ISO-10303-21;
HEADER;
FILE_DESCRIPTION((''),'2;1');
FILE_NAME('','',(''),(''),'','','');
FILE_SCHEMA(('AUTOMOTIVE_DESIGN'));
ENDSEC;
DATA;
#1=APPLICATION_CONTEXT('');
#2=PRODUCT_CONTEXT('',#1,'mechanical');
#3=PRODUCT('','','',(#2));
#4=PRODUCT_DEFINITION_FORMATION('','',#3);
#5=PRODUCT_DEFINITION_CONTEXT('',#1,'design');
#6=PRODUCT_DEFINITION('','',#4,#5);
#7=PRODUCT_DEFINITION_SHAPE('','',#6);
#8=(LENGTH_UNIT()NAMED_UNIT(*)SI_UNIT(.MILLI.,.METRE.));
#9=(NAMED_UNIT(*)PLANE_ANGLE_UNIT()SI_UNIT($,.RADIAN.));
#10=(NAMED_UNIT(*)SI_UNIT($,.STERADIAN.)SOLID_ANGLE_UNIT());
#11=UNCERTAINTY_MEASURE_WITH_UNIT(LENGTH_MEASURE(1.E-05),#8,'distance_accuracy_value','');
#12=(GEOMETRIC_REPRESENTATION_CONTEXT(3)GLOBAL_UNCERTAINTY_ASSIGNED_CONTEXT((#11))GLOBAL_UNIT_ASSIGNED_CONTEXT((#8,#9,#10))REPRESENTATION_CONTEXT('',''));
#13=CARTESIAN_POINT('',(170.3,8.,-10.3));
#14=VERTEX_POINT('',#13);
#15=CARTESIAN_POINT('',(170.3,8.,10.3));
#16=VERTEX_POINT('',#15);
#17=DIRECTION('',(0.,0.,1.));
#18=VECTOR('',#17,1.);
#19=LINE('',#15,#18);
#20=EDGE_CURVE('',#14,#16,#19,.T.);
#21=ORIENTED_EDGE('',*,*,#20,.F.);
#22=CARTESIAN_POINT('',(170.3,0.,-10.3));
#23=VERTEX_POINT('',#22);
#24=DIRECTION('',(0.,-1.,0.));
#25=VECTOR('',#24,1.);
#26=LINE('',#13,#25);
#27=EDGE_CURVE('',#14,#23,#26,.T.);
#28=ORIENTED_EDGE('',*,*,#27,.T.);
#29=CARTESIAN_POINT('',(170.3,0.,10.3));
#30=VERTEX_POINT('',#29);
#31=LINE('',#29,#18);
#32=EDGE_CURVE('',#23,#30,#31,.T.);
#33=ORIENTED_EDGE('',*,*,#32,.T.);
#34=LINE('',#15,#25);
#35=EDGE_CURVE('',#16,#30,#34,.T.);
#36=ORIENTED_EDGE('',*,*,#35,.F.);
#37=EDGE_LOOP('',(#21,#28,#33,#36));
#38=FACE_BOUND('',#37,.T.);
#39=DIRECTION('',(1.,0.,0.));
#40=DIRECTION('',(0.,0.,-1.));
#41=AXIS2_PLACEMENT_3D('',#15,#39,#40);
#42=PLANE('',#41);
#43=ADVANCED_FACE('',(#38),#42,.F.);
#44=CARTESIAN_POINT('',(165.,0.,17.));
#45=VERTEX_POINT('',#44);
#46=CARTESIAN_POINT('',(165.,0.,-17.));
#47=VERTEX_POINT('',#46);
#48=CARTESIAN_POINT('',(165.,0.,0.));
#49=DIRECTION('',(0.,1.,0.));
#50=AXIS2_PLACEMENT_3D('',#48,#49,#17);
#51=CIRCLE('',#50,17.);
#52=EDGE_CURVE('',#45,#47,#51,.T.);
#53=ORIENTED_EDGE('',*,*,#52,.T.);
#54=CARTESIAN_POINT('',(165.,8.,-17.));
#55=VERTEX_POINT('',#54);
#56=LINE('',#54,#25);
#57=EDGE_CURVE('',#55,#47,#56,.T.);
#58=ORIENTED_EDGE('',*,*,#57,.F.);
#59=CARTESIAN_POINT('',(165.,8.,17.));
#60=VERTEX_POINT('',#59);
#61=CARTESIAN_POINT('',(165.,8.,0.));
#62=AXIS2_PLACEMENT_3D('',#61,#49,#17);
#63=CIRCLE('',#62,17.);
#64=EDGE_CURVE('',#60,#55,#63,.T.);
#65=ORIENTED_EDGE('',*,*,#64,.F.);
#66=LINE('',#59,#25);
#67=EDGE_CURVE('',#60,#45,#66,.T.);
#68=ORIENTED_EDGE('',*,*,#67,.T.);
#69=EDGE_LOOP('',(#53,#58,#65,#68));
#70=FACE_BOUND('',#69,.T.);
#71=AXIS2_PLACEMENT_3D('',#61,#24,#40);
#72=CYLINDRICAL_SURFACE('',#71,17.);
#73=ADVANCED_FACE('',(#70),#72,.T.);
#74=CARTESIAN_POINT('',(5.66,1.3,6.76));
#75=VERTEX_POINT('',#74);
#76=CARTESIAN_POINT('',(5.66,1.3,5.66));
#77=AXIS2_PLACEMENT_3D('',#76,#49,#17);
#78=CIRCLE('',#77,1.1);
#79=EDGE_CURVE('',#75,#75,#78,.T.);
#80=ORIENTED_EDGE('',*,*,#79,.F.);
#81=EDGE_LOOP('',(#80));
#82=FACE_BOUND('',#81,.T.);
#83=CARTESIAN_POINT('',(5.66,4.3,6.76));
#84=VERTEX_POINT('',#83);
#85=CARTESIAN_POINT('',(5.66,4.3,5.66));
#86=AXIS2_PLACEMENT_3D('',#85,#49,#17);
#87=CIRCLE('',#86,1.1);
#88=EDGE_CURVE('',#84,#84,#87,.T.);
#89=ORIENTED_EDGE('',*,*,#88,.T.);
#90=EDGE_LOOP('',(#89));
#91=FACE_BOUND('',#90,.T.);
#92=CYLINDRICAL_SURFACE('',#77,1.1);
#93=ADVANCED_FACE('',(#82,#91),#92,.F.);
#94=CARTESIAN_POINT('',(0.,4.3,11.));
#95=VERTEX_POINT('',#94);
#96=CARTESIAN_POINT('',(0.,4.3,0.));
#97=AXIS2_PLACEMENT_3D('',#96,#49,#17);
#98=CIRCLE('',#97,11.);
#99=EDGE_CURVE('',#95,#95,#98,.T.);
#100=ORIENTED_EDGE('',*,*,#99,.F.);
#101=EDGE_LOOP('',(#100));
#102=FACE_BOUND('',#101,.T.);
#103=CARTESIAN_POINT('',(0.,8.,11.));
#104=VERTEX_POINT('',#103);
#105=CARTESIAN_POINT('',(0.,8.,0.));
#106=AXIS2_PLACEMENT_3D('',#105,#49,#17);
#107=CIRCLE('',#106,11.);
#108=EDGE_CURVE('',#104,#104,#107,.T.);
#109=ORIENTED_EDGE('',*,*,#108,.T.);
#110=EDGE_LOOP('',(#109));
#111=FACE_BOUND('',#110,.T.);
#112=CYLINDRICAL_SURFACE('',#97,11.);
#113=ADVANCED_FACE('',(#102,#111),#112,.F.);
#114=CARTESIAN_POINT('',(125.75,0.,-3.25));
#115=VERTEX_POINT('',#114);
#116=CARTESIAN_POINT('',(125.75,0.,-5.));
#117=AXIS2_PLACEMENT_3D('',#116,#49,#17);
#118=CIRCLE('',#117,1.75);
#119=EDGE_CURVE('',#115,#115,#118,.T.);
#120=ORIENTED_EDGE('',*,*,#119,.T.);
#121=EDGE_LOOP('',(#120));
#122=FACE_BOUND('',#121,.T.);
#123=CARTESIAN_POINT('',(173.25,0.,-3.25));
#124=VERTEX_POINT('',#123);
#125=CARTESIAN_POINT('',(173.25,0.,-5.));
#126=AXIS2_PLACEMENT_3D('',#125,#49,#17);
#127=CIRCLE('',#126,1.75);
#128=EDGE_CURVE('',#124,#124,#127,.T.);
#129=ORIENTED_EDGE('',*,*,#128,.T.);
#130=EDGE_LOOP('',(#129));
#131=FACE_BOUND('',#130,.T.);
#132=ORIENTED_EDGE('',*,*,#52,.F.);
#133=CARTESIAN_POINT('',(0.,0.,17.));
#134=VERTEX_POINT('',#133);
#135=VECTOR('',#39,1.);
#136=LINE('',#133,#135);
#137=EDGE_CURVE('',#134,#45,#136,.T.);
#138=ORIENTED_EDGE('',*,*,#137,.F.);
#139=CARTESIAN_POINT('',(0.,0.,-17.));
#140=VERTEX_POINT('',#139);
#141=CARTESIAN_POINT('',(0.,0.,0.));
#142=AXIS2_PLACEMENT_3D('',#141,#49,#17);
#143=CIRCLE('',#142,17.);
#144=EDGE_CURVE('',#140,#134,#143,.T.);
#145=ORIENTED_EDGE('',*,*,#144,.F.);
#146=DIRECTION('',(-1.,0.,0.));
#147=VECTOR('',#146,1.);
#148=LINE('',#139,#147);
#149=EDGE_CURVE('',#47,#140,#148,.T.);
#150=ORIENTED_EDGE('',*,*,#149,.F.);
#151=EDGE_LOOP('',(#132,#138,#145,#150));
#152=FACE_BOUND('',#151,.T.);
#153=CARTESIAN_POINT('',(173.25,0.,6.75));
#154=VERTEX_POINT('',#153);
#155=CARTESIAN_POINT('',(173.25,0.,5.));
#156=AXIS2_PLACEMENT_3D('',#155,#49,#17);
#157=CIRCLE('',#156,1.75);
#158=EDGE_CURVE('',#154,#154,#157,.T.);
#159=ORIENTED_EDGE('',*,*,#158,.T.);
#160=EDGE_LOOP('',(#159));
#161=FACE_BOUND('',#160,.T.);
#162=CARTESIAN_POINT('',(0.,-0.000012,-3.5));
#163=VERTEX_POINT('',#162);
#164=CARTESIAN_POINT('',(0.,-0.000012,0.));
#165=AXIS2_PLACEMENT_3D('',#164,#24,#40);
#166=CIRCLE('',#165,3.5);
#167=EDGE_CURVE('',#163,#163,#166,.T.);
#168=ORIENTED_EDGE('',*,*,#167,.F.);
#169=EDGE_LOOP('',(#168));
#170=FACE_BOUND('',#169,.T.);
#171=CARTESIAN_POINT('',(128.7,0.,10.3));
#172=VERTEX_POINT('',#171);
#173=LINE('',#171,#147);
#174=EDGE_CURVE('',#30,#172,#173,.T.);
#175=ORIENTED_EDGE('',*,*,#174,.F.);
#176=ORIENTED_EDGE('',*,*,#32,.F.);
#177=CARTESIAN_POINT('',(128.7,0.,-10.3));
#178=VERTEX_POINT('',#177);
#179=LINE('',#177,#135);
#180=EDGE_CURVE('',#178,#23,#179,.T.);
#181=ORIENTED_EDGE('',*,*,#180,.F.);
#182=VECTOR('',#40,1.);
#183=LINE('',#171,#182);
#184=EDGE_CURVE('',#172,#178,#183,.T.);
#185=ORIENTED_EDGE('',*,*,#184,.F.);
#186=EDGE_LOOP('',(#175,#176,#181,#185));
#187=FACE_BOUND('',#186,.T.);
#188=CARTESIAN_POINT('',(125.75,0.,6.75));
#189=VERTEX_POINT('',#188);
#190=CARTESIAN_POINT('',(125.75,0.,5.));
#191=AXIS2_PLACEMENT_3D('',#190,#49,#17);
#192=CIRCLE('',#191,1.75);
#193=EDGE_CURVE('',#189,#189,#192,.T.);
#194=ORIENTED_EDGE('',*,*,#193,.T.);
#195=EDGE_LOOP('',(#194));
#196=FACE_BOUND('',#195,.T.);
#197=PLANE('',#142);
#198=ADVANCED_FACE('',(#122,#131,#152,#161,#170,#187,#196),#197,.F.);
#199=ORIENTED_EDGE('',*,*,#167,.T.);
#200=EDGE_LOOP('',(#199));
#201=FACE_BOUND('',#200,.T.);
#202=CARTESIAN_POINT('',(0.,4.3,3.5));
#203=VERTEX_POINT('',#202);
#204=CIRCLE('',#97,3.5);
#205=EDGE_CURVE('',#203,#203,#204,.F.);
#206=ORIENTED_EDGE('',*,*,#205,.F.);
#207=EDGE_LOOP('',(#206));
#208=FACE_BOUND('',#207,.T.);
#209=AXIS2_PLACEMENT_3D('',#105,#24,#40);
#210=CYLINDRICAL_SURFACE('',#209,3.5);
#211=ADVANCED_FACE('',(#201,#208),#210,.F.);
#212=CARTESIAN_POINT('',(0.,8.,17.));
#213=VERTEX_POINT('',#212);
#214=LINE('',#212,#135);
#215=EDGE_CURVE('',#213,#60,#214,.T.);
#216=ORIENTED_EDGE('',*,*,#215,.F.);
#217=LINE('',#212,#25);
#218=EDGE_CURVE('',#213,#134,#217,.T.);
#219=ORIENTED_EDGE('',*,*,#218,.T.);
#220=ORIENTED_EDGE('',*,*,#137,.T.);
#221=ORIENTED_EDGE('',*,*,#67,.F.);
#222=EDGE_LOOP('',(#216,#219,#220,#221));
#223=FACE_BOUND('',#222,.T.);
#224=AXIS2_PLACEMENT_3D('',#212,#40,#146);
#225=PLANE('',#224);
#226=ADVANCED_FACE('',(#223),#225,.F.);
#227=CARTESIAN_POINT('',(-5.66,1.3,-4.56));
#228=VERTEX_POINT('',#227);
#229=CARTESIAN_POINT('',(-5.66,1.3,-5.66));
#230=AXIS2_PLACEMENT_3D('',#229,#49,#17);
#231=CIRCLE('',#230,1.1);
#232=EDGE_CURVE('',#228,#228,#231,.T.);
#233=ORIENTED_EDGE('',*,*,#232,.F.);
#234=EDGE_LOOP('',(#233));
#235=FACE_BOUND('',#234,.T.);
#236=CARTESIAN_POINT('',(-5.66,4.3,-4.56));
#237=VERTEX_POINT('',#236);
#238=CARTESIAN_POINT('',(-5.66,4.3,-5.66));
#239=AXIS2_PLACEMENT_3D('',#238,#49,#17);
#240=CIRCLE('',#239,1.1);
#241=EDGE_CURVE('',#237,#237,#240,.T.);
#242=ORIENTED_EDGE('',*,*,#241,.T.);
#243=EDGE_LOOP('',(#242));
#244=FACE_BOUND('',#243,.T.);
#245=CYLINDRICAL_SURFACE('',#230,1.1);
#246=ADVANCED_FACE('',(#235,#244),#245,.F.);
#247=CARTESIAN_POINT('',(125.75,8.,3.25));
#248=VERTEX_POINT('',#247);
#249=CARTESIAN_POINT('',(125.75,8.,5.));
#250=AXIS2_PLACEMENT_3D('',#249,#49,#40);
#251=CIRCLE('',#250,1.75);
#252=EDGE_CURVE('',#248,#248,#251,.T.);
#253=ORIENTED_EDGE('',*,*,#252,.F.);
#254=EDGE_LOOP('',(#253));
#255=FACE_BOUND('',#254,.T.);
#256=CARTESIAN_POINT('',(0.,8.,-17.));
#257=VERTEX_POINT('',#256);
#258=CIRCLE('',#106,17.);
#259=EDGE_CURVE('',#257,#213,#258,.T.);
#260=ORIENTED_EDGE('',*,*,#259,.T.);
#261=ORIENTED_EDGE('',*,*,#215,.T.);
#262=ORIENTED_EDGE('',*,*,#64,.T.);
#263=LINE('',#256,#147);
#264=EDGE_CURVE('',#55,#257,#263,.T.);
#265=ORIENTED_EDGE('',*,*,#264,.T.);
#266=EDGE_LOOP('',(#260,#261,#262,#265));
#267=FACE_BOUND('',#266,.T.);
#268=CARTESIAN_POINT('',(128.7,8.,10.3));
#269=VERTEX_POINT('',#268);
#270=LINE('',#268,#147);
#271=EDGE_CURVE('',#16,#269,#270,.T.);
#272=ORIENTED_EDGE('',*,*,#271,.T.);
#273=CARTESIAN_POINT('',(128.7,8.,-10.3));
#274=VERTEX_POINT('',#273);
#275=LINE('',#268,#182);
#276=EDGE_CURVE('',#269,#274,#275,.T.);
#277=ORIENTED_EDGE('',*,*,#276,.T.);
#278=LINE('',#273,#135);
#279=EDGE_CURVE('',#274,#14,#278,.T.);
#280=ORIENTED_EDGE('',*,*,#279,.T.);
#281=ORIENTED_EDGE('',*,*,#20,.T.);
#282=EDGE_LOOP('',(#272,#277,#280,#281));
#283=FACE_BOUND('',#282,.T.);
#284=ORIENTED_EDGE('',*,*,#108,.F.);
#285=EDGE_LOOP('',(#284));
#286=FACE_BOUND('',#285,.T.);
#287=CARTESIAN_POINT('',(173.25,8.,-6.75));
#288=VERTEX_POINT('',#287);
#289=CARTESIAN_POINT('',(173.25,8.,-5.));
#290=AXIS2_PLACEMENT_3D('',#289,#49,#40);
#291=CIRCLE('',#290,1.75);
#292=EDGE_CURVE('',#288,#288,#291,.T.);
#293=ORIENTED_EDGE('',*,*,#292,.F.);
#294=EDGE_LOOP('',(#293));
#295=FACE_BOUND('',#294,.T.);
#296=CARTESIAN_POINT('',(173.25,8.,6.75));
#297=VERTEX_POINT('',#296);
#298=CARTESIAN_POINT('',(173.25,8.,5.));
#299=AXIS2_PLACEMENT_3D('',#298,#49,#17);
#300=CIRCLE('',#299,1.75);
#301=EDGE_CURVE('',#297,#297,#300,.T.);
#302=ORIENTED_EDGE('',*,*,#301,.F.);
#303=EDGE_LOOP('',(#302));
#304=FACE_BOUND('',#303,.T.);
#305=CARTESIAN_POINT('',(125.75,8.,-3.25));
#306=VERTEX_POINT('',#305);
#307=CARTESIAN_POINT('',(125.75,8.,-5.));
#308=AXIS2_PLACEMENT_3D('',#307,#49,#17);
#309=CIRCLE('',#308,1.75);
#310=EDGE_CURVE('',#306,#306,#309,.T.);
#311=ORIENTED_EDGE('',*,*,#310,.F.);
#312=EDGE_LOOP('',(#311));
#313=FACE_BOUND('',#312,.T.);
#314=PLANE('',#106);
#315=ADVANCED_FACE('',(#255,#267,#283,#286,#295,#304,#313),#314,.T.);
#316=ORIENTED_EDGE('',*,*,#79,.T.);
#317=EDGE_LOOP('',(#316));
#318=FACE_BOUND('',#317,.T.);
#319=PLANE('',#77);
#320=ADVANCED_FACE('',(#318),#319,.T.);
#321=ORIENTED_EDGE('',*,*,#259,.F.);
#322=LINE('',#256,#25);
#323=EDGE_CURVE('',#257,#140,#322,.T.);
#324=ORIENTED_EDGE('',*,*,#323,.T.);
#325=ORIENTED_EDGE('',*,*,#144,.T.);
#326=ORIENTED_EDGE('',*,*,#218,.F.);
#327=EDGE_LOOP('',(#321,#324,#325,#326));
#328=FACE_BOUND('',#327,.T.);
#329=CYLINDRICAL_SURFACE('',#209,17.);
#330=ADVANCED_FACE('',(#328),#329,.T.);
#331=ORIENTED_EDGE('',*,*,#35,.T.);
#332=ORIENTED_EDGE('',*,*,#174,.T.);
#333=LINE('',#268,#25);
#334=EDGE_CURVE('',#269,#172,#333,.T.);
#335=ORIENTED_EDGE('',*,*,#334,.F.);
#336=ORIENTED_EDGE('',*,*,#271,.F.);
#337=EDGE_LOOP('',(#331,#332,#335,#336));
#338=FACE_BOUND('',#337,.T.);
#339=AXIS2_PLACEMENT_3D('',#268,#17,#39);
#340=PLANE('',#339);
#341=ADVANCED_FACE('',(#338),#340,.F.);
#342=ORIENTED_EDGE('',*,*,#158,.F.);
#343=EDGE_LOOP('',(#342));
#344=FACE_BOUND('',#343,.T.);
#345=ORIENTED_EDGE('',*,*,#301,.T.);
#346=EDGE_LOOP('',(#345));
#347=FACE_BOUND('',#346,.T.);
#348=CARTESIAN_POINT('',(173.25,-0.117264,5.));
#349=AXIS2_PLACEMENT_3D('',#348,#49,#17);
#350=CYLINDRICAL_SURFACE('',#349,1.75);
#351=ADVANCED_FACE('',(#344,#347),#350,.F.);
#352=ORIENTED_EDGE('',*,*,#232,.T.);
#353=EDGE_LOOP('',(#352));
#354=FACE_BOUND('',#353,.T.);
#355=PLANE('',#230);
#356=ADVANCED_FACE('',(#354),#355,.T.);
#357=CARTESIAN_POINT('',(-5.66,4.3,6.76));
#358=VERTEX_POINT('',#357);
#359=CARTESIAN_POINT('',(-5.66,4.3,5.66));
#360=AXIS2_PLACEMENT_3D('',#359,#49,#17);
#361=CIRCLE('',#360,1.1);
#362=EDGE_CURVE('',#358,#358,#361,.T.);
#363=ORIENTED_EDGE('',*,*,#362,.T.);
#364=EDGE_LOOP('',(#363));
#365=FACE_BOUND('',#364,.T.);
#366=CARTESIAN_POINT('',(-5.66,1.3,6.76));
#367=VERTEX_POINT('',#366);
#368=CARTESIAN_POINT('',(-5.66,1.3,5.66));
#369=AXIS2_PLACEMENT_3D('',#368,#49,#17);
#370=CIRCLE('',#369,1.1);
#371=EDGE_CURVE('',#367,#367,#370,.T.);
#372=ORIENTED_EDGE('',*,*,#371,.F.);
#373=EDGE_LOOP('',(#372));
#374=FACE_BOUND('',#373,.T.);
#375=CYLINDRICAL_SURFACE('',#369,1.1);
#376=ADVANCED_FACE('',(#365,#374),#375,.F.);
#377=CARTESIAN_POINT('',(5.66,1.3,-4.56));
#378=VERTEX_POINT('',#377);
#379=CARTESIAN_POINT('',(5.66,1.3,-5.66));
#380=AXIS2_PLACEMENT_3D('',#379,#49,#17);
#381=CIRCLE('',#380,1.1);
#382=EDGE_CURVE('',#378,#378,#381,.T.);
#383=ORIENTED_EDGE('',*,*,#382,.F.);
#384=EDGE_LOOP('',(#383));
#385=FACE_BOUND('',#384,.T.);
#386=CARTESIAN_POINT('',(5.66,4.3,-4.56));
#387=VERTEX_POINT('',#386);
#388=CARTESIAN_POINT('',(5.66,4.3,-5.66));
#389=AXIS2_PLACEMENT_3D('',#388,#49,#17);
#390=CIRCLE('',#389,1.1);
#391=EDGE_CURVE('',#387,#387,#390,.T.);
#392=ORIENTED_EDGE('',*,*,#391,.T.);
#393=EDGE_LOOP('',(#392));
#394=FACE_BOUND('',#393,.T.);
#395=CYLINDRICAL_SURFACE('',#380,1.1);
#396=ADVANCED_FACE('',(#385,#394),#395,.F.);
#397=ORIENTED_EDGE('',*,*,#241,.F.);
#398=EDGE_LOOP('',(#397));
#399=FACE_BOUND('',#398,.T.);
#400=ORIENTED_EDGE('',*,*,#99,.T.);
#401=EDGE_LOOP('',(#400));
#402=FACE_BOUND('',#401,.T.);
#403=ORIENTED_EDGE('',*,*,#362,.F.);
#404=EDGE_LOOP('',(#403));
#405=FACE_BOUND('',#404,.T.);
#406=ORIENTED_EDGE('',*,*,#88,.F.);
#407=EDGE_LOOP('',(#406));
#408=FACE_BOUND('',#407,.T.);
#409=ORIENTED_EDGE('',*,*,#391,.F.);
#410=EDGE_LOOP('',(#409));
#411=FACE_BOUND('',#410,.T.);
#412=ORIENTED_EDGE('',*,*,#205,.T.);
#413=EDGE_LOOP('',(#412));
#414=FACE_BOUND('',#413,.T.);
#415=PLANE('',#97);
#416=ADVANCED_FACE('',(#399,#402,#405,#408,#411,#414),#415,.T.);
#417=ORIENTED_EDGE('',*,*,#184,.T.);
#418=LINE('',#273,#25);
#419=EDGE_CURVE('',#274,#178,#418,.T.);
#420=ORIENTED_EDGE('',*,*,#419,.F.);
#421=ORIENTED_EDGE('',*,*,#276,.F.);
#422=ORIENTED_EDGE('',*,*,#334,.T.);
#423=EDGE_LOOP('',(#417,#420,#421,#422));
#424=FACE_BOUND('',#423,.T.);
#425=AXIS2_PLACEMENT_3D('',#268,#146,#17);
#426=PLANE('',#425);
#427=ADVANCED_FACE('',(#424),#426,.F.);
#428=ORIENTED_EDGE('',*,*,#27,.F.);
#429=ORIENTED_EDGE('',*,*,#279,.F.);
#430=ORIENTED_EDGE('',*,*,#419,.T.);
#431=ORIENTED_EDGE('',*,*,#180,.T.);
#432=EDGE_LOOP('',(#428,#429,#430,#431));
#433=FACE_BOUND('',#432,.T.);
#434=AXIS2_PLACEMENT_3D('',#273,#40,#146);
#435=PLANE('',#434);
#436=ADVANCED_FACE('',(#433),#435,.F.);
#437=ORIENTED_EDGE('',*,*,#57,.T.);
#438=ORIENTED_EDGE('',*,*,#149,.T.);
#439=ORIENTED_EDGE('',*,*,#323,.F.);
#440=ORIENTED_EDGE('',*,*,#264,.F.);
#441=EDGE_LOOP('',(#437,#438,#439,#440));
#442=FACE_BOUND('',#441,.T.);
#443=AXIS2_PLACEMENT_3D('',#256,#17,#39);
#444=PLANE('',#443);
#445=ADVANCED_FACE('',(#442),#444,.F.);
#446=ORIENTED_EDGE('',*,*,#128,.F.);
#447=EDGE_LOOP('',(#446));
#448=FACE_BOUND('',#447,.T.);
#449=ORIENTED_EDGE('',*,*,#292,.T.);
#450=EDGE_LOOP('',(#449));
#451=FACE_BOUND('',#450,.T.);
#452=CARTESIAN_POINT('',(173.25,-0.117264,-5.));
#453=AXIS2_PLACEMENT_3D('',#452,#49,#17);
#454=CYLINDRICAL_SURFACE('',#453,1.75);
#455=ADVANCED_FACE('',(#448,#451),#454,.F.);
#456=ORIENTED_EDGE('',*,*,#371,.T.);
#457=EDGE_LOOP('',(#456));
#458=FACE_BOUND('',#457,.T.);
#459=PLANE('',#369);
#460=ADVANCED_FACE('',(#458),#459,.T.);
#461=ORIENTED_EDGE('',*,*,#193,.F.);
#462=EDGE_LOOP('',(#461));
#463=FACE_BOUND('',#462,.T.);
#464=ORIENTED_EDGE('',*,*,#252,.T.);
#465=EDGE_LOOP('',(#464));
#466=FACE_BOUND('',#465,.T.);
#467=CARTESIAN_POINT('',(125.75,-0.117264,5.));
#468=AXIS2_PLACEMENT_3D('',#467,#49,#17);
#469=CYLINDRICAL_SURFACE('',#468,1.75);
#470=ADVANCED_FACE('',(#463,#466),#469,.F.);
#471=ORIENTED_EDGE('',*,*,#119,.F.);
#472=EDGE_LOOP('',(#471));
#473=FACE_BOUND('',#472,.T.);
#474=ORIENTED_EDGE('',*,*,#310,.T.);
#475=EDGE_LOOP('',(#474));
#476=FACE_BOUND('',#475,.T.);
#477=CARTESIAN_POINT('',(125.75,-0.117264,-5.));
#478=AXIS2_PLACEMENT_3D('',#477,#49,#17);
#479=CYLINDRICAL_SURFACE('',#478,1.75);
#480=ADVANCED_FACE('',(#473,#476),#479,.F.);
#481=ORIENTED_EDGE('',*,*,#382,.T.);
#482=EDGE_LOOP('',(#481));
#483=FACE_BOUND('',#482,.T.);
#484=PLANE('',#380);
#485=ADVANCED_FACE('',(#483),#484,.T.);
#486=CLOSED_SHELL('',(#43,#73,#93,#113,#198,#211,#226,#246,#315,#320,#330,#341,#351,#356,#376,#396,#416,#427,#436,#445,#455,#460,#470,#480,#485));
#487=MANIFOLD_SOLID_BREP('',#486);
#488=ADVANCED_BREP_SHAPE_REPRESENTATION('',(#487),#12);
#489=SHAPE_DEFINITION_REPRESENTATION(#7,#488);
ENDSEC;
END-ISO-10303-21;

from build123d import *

# Parameters (mm, degrees)
ESTRUSIONE_ESTRUSIONE1_DEPTH  = 8
TAGLIO_ESTRUSIONE1_DEPTH      = 183.967210177
TAGLIO_ESTRUSIONE1_DEPTH_BACK = 183.967210177
SCHIZZO2_R                    = 3.5
SCHIZZO2_W                    = 41.6
SCHIZZO2_H                    = 20.6
SCHIZZO3_R                    = 11
TAGLIO_ESTRUSIONE2_DEPTH      = 3.7
SCHIZZO4_R                    = 1.1
TAGLIO_ESTRUSIONE3_DEPTH      = 3
SCHIZZO5_R                    = 1.75
TAGLIO_ESTRUSIONE4_DEPTH      = 183.967210177


with BuildPart() as part:
    # Schizzo1 → Estrusione-Estrusione1 (new body)
    with BuildSketch(Plane(origin=(0, 0, 0), x_dir=(1, 0, 0), z_dir=(0, 1, 0))):
        with BuildLine():
            Line((0, 17), (165, 17))
            ThreePointArc((165, 17), (182, 0), (165, -17))
            Line((165, -17), (0, -17))
            ThreePointArc((0, -17), (-17, 0), (0, 17))
        make_face()
    extrude(amount=ESTRUSIONE_ESTRUSIONE1_DEPTH)

    # Schizzo2 → Taglio-Estrusione1 (cut, two sides: drawn at the far end of the back side and taken through both)
    with BuildSketch(Plane.XZ.offset(-TAGLIO_ESTRUSIONE1_DEPTH_BACK)):
        with Locations(Location((0, 0, 0), (0, 0, 270))):
            Circle(SCHIZZO2_R)
        with Locations((149.5, 0)):
            Rectangle(SCHIZZO2_W, SCHIZZO2_H)
    extrude(amount=TAGLIO_ESTRUSIONE1_DEPTH + TAGLIO_ESTRUSIONE1_DEPTH_BACK, mode=Mode.SUBTRACT)

    # Schizzo3 → Taglio-Estrusione2 (cut)
    with BuildSketch(Plane(origin=(0, 8, 0), x_dir=(1, 0, 0), z_dir=(0, 1, 0))):
        with Locations(Location((0, 0, 0), (0, 0, 270))):
            Circle(SCHIZZO3_R)
    extrude(amount=-TAGLIO_ESTRUSIONE2_DEPTH, mode=Mode.SUBTRACT)

    # Schizzo4 → Taglio-Estrusione3 (cut)
    with BuildSketch(Plane(origin=(0, 4.3, 0), x_dir=(1, 0, 0), z_dir=(0, 1, 0))):
        with Locations(Location((-5.66, 5.66, 0), (0, 0, 270))):
            Circle(SCHIZZO4_R)
        with Locations(Location((5.66, 5.66, 0), (0, 0, 270))):
            Circle(SCHIZZO4_R)
        with Locations(Location((5.66, -5.66, 0), (0, 0, 270))):
            Circle(SCHIZZO4_R)
        with Locations(Location((-5.66, -5.66, 0), (0, 0, 270))):
            Circle(SCHIZZO4_R)
    extrude(amount=-TAGLIO_ESTRUSIONE3_DEPTH, mode=Mode.SUBTRACT)

    # Schizzo5 → Taglio-Estrusione4 (cut, through all)
    with BuildSketch(Plane(origin=(0, 8, 0), x_dir=(1, 0, 0), z_dir=(0, 1, 0))):
        with Locations(Location((125.75, 5, 0), (0, 0, 270))):
            Circle(SCHIZZO5_R)
        with Locations(Location((125.75, -5, 0), (0, 0, 270))):
            Circle(SCHIZZO5_R)
        with Locations(Location((173.25, -5, 0), (0, 0, 270))):
            Circle(SCHIZZO5_R)
        with Locations(Location((173.25, 5, 0), (0, 0, 270))):
            Circle(SCHIZZO5_R)
    extrude(amount=-TAGLIO_ESTRUSIONE4_DEPTH, mode=Mode.SUBTRACT)


solid = part.part
